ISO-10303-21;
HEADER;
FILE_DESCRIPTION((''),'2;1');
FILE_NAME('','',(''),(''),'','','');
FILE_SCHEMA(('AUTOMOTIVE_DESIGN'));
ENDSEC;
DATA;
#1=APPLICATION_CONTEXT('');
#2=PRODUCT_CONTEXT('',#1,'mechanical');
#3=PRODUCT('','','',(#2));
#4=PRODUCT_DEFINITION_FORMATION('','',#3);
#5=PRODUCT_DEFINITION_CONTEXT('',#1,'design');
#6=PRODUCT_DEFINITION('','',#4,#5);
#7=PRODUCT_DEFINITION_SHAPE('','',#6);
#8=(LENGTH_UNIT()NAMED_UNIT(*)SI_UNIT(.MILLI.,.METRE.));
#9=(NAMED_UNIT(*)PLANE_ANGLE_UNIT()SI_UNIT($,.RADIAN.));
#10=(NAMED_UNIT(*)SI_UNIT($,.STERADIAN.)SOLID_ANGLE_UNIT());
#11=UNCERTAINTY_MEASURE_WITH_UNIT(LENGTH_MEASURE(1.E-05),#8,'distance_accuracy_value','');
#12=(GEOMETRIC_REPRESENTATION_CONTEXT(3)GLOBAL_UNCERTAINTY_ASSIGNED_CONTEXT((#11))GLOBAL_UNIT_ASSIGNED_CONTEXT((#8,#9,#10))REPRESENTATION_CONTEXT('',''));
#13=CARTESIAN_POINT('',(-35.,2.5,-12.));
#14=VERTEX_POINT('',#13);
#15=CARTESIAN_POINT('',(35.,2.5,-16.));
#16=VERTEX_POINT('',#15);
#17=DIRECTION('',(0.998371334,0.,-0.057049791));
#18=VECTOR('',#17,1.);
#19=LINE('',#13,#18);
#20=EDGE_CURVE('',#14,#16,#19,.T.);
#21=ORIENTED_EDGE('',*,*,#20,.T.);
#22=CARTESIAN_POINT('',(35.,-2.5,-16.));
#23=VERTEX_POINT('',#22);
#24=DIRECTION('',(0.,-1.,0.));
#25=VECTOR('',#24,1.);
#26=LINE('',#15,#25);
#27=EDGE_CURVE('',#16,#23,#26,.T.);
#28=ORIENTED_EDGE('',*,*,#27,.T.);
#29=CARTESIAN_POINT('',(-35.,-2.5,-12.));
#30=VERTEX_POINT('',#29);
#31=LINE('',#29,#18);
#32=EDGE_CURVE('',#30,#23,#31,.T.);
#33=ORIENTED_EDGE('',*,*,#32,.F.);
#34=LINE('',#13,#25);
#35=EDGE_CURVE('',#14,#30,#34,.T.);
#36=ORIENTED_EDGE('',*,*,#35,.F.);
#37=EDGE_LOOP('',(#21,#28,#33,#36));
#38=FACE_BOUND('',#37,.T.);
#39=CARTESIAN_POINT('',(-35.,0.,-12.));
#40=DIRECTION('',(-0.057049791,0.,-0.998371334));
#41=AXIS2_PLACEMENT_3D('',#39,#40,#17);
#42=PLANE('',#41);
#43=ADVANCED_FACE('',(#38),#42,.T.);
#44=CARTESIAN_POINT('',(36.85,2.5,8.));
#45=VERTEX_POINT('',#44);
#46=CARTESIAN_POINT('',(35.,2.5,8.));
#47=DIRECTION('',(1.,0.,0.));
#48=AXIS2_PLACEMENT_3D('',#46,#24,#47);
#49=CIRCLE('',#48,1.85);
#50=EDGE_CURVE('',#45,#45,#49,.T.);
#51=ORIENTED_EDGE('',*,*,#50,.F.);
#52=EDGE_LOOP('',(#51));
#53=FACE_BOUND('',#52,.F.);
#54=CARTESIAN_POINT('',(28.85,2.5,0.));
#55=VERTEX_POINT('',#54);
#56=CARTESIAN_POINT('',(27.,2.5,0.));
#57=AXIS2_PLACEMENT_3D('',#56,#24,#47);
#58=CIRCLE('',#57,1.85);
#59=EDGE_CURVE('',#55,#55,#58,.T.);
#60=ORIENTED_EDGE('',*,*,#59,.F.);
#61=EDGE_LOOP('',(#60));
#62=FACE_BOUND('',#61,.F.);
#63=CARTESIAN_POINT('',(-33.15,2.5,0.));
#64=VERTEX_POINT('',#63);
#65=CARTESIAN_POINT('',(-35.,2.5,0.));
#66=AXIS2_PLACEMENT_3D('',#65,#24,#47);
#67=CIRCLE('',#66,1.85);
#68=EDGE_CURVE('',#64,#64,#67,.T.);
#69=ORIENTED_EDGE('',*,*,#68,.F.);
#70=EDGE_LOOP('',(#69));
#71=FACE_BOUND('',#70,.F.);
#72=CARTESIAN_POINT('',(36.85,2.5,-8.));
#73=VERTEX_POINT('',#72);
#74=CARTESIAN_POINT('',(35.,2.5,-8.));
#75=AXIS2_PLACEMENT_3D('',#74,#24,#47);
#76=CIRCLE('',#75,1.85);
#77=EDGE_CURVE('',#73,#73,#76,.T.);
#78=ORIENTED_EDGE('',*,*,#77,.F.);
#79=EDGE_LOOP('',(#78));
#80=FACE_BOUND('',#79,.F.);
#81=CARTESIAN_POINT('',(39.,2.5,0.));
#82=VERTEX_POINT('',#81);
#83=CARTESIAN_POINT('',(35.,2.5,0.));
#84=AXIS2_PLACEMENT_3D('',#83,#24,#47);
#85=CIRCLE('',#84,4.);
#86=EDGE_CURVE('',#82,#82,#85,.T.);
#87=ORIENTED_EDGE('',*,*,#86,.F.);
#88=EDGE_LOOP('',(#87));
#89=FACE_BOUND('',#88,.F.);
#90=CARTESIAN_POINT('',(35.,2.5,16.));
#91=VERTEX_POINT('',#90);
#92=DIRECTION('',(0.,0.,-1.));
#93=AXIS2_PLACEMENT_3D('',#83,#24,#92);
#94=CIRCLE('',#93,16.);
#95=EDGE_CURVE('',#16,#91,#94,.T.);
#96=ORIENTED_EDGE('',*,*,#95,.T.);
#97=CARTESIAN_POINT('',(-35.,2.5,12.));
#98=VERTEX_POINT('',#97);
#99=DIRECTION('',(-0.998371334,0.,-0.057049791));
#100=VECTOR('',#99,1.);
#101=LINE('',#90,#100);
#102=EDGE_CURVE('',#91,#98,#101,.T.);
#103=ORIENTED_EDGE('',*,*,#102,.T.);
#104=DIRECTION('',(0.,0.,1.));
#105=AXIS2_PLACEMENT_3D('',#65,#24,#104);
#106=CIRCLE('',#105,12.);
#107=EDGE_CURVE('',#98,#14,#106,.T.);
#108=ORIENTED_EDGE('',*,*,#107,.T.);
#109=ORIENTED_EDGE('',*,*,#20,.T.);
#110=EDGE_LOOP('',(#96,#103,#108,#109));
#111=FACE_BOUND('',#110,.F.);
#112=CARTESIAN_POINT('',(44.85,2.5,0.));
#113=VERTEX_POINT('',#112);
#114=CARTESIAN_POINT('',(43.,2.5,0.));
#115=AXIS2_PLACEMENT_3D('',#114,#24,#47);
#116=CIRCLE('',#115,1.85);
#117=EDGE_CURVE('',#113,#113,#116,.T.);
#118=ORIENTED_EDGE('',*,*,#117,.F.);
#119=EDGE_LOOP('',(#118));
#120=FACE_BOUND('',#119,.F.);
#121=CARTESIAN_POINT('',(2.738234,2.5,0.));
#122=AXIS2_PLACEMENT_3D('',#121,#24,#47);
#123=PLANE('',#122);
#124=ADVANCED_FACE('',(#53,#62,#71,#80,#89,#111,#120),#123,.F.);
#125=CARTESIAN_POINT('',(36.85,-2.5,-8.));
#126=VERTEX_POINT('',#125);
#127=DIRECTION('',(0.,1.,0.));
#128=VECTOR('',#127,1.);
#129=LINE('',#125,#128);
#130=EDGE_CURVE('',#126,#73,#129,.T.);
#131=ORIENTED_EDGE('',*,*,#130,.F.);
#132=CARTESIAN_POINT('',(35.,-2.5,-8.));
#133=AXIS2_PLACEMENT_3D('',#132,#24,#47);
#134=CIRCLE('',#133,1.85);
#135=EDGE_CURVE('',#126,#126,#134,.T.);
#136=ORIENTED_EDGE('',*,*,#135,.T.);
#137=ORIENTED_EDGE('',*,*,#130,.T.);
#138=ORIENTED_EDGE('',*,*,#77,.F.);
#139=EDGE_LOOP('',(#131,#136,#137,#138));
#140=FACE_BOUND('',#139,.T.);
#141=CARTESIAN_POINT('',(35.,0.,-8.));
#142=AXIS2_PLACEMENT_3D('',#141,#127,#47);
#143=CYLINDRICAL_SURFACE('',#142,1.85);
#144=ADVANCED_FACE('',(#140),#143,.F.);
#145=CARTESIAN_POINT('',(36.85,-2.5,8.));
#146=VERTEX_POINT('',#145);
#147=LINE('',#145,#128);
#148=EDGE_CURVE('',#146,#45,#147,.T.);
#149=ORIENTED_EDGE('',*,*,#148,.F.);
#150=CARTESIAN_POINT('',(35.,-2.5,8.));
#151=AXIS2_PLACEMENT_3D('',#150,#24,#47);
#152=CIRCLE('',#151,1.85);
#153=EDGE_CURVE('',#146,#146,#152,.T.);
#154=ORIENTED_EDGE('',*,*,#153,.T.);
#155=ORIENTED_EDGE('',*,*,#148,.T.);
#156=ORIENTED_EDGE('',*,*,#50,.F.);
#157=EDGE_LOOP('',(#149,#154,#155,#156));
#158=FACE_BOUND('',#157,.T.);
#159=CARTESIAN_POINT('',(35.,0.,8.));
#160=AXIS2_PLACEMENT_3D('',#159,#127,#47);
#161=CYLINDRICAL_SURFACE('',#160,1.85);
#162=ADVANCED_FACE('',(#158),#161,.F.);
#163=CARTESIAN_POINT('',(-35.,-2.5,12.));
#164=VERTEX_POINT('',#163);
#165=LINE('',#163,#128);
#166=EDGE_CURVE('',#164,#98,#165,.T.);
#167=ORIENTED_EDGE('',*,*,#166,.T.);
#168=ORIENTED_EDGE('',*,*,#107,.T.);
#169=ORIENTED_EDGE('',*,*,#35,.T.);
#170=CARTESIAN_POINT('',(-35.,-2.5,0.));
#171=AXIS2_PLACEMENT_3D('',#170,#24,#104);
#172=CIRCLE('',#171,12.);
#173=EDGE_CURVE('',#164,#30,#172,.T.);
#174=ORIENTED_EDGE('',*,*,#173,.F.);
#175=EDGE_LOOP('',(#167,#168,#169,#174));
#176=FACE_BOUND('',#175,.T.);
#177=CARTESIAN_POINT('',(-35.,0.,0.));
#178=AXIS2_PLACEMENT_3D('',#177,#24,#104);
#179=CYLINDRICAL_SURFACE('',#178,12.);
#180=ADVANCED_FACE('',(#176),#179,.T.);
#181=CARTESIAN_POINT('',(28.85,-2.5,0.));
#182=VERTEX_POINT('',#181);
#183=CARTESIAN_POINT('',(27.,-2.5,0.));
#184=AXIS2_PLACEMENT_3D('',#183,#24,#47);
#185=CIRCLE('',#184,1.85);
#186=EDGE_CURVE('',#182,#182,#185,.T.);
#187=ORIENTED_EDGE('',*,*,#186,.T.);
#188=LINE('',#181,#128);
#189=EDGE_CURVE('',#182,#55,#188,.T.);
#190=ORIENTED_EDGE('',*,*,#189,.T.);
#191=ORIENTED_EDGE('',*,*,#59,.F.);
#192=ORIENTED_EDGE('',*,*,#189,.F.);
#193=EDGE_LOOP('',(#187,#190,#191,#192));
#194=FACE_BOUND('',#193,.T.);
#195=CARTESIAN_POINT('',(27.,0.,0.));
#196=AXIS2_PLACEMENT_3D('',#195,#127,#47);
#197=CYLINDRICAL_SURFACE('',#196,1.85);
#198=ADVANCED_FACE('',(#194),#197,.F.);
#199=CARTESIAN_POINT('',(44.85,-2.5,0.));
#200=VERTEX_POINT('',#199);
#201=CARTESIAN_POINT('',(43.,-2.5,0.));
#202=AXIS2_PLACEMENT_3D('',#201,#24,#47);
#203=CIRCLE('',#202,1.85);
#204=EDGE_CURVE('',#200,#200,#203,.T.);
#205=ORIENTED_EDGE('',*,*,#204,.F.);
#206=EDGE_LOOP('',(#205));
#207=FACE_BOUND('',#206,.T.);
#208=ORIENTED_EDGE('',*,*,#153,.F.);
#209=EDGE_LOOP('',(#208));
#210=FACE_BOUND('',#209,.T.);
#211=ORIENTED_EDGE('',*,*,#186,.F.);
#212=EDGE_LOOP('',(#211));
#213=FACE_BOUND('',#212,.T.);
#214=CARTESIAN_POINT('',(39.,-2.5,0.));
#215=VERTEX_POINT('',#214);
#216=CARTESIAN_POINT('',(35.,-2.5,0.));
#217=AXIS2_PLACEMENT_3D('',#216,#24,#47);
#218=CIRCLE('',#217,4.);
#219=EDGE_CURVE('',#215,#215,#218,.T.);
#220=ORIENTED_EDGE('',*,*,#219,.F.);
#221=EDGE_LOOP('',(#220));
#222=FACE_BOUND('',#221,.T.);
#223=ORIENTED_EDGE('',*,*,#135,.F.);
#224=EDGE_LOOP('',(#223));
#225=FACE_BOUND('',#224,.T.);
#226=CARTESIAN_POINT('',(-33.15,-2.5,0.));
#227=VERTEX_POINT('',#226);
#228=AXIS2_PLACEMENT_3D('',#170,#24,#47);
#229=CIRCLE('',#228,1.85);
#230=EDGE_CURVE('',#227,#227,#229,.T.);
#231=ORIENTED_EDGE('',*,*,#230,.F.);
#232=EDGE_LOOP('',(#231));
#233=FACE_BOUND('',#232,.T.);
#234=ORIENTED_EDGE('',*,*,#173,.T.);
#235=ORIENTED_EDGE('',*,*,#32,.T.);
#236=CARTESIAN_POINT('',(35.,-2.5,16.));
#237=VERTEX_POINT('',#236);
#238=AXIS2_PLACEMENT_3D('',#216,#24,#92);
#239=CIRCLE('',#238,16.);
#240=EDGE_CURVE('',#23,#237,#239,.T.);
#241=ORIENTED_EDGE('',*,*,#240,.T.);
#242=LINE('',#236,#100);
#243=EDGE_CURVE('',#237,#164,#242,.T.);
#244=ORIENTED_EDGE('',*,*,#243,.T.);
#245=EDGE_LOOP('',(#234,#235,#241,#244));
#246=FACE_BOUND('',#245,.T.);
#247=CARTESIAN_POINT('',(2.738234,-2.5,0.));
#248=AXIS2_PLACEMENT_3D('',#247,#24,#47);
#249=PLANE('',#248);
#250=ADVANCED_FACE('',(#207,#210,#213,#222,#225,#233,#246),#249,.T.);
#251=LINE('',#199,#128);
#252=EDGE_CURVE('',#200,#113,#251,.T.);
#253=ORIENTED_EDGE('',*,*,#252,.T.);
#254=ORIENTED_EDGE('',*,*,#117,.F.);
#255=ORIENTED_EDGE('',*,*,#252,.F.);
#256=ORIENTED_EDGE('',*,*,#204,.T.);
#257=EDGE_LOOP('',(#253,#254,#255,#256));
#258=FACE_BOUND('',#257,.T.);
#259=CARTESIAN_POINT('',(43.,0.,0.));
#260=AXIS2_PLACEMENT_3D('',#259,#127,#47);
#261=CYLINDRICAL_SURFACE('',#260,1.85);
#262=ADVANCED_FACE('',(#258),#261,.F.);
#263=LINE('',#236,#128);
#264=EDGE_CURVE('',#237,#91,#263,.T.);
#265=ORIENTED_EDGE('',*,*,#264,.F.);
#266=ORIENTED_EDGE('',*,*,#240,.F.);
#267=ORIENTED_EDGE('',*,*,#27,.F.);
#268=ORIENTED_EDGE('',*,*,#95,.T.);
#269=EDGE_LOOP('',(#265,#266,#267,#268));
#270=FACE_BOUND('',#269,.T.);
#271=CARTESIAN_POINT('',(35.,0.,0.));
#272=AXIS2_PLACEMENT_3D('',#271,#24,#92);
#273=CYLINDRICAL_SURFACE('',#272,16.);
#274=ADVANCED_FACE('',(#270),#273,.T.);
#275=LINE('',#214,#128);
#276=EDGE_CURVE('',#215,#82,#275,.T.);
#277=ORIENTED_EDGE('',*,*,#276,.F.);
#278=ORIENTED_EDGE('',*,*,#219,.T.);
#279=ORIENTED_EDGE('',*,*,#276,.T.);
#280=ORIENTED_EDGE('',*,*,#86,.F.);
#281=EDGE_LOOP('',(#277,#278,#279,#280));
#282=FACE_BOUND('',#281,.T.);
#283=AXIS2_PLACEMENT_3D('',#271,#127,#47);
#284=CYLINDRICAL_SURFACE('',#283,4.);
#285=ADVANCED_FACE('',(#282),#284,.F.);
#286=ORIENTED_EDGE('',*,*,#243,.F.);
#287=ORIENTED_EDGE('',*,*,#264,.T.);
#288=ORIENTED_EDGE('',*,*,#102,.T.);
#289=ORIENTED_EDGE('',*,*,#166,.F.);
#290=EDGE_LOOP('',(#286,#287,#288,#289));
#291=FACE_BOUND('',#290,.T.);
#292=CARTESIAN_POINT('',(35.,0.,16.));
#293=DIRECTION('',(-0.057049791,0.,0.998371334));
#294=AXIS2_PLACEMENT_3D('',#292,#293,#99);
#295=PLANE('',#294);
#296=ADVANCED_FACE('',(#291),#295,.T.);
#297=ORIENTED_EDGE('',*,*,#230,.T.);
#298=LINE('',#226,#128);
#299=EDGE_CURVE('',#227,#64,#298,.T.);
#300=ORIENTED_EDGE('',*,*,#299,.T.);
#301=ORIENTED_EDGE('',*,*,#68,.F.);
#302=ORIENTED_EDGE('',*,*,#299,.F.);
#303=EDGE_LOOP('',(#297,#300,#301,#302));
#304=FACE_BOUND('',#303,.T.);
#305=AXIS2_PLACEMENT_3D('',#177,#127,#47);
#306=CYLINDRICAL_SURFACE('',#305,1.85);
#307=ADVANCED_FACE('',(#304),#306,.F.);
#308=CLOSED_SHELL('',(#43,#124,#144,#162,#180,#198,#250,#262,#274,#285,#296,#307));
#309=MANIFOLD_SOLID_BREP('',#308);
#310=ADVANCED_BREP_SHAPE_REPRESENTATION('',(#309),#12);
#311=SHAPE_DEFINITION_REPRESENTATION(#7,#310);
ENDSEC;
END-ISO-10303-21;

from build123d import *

# Parameters (mm, degrees)
F0_R     = 1.85
F0_R_2   = 4
F1_DEPTH = 2.5


with BuildPart() as f1:
    # F0 (on Front) → F1 (new body, symmetric)
    with BuildSketch(Plane.XZ):
        with BuildLine():
            ThreePointArc((-35, 12), (-47, 0), (-35, -12))
            Line((-35, -12), (35, -16))
            ThreePointArc((35, -16), (51, 0), (35, 16))
            Line((35, 16), (-35, 12))
        make_face()
        with Locations((35, -8)):
            Circle(F0_R, mode=Mode.SUBTRACT)
        with Locations((-35, 0)):
            Circle(F0_R, mode=Mode.SUBTRACT)
        with Locations((27, 0)):
            Circle(F0_R, mode=Mode.SUBTRACT)
        with Locations((35, 0)):
            Circle(F0_R_2, mode=Mode.SUBTRACT)
        with Locations((43, 0)):
            Circle(F0_R, mode=Mode.SUBTRACT)
        with Locations((35, 8)):
            Circle(F0_R, mode=Mode.SUBTRACT)
    extrude(amount=F1_DEPTH, both=True)


solid = f1.part
